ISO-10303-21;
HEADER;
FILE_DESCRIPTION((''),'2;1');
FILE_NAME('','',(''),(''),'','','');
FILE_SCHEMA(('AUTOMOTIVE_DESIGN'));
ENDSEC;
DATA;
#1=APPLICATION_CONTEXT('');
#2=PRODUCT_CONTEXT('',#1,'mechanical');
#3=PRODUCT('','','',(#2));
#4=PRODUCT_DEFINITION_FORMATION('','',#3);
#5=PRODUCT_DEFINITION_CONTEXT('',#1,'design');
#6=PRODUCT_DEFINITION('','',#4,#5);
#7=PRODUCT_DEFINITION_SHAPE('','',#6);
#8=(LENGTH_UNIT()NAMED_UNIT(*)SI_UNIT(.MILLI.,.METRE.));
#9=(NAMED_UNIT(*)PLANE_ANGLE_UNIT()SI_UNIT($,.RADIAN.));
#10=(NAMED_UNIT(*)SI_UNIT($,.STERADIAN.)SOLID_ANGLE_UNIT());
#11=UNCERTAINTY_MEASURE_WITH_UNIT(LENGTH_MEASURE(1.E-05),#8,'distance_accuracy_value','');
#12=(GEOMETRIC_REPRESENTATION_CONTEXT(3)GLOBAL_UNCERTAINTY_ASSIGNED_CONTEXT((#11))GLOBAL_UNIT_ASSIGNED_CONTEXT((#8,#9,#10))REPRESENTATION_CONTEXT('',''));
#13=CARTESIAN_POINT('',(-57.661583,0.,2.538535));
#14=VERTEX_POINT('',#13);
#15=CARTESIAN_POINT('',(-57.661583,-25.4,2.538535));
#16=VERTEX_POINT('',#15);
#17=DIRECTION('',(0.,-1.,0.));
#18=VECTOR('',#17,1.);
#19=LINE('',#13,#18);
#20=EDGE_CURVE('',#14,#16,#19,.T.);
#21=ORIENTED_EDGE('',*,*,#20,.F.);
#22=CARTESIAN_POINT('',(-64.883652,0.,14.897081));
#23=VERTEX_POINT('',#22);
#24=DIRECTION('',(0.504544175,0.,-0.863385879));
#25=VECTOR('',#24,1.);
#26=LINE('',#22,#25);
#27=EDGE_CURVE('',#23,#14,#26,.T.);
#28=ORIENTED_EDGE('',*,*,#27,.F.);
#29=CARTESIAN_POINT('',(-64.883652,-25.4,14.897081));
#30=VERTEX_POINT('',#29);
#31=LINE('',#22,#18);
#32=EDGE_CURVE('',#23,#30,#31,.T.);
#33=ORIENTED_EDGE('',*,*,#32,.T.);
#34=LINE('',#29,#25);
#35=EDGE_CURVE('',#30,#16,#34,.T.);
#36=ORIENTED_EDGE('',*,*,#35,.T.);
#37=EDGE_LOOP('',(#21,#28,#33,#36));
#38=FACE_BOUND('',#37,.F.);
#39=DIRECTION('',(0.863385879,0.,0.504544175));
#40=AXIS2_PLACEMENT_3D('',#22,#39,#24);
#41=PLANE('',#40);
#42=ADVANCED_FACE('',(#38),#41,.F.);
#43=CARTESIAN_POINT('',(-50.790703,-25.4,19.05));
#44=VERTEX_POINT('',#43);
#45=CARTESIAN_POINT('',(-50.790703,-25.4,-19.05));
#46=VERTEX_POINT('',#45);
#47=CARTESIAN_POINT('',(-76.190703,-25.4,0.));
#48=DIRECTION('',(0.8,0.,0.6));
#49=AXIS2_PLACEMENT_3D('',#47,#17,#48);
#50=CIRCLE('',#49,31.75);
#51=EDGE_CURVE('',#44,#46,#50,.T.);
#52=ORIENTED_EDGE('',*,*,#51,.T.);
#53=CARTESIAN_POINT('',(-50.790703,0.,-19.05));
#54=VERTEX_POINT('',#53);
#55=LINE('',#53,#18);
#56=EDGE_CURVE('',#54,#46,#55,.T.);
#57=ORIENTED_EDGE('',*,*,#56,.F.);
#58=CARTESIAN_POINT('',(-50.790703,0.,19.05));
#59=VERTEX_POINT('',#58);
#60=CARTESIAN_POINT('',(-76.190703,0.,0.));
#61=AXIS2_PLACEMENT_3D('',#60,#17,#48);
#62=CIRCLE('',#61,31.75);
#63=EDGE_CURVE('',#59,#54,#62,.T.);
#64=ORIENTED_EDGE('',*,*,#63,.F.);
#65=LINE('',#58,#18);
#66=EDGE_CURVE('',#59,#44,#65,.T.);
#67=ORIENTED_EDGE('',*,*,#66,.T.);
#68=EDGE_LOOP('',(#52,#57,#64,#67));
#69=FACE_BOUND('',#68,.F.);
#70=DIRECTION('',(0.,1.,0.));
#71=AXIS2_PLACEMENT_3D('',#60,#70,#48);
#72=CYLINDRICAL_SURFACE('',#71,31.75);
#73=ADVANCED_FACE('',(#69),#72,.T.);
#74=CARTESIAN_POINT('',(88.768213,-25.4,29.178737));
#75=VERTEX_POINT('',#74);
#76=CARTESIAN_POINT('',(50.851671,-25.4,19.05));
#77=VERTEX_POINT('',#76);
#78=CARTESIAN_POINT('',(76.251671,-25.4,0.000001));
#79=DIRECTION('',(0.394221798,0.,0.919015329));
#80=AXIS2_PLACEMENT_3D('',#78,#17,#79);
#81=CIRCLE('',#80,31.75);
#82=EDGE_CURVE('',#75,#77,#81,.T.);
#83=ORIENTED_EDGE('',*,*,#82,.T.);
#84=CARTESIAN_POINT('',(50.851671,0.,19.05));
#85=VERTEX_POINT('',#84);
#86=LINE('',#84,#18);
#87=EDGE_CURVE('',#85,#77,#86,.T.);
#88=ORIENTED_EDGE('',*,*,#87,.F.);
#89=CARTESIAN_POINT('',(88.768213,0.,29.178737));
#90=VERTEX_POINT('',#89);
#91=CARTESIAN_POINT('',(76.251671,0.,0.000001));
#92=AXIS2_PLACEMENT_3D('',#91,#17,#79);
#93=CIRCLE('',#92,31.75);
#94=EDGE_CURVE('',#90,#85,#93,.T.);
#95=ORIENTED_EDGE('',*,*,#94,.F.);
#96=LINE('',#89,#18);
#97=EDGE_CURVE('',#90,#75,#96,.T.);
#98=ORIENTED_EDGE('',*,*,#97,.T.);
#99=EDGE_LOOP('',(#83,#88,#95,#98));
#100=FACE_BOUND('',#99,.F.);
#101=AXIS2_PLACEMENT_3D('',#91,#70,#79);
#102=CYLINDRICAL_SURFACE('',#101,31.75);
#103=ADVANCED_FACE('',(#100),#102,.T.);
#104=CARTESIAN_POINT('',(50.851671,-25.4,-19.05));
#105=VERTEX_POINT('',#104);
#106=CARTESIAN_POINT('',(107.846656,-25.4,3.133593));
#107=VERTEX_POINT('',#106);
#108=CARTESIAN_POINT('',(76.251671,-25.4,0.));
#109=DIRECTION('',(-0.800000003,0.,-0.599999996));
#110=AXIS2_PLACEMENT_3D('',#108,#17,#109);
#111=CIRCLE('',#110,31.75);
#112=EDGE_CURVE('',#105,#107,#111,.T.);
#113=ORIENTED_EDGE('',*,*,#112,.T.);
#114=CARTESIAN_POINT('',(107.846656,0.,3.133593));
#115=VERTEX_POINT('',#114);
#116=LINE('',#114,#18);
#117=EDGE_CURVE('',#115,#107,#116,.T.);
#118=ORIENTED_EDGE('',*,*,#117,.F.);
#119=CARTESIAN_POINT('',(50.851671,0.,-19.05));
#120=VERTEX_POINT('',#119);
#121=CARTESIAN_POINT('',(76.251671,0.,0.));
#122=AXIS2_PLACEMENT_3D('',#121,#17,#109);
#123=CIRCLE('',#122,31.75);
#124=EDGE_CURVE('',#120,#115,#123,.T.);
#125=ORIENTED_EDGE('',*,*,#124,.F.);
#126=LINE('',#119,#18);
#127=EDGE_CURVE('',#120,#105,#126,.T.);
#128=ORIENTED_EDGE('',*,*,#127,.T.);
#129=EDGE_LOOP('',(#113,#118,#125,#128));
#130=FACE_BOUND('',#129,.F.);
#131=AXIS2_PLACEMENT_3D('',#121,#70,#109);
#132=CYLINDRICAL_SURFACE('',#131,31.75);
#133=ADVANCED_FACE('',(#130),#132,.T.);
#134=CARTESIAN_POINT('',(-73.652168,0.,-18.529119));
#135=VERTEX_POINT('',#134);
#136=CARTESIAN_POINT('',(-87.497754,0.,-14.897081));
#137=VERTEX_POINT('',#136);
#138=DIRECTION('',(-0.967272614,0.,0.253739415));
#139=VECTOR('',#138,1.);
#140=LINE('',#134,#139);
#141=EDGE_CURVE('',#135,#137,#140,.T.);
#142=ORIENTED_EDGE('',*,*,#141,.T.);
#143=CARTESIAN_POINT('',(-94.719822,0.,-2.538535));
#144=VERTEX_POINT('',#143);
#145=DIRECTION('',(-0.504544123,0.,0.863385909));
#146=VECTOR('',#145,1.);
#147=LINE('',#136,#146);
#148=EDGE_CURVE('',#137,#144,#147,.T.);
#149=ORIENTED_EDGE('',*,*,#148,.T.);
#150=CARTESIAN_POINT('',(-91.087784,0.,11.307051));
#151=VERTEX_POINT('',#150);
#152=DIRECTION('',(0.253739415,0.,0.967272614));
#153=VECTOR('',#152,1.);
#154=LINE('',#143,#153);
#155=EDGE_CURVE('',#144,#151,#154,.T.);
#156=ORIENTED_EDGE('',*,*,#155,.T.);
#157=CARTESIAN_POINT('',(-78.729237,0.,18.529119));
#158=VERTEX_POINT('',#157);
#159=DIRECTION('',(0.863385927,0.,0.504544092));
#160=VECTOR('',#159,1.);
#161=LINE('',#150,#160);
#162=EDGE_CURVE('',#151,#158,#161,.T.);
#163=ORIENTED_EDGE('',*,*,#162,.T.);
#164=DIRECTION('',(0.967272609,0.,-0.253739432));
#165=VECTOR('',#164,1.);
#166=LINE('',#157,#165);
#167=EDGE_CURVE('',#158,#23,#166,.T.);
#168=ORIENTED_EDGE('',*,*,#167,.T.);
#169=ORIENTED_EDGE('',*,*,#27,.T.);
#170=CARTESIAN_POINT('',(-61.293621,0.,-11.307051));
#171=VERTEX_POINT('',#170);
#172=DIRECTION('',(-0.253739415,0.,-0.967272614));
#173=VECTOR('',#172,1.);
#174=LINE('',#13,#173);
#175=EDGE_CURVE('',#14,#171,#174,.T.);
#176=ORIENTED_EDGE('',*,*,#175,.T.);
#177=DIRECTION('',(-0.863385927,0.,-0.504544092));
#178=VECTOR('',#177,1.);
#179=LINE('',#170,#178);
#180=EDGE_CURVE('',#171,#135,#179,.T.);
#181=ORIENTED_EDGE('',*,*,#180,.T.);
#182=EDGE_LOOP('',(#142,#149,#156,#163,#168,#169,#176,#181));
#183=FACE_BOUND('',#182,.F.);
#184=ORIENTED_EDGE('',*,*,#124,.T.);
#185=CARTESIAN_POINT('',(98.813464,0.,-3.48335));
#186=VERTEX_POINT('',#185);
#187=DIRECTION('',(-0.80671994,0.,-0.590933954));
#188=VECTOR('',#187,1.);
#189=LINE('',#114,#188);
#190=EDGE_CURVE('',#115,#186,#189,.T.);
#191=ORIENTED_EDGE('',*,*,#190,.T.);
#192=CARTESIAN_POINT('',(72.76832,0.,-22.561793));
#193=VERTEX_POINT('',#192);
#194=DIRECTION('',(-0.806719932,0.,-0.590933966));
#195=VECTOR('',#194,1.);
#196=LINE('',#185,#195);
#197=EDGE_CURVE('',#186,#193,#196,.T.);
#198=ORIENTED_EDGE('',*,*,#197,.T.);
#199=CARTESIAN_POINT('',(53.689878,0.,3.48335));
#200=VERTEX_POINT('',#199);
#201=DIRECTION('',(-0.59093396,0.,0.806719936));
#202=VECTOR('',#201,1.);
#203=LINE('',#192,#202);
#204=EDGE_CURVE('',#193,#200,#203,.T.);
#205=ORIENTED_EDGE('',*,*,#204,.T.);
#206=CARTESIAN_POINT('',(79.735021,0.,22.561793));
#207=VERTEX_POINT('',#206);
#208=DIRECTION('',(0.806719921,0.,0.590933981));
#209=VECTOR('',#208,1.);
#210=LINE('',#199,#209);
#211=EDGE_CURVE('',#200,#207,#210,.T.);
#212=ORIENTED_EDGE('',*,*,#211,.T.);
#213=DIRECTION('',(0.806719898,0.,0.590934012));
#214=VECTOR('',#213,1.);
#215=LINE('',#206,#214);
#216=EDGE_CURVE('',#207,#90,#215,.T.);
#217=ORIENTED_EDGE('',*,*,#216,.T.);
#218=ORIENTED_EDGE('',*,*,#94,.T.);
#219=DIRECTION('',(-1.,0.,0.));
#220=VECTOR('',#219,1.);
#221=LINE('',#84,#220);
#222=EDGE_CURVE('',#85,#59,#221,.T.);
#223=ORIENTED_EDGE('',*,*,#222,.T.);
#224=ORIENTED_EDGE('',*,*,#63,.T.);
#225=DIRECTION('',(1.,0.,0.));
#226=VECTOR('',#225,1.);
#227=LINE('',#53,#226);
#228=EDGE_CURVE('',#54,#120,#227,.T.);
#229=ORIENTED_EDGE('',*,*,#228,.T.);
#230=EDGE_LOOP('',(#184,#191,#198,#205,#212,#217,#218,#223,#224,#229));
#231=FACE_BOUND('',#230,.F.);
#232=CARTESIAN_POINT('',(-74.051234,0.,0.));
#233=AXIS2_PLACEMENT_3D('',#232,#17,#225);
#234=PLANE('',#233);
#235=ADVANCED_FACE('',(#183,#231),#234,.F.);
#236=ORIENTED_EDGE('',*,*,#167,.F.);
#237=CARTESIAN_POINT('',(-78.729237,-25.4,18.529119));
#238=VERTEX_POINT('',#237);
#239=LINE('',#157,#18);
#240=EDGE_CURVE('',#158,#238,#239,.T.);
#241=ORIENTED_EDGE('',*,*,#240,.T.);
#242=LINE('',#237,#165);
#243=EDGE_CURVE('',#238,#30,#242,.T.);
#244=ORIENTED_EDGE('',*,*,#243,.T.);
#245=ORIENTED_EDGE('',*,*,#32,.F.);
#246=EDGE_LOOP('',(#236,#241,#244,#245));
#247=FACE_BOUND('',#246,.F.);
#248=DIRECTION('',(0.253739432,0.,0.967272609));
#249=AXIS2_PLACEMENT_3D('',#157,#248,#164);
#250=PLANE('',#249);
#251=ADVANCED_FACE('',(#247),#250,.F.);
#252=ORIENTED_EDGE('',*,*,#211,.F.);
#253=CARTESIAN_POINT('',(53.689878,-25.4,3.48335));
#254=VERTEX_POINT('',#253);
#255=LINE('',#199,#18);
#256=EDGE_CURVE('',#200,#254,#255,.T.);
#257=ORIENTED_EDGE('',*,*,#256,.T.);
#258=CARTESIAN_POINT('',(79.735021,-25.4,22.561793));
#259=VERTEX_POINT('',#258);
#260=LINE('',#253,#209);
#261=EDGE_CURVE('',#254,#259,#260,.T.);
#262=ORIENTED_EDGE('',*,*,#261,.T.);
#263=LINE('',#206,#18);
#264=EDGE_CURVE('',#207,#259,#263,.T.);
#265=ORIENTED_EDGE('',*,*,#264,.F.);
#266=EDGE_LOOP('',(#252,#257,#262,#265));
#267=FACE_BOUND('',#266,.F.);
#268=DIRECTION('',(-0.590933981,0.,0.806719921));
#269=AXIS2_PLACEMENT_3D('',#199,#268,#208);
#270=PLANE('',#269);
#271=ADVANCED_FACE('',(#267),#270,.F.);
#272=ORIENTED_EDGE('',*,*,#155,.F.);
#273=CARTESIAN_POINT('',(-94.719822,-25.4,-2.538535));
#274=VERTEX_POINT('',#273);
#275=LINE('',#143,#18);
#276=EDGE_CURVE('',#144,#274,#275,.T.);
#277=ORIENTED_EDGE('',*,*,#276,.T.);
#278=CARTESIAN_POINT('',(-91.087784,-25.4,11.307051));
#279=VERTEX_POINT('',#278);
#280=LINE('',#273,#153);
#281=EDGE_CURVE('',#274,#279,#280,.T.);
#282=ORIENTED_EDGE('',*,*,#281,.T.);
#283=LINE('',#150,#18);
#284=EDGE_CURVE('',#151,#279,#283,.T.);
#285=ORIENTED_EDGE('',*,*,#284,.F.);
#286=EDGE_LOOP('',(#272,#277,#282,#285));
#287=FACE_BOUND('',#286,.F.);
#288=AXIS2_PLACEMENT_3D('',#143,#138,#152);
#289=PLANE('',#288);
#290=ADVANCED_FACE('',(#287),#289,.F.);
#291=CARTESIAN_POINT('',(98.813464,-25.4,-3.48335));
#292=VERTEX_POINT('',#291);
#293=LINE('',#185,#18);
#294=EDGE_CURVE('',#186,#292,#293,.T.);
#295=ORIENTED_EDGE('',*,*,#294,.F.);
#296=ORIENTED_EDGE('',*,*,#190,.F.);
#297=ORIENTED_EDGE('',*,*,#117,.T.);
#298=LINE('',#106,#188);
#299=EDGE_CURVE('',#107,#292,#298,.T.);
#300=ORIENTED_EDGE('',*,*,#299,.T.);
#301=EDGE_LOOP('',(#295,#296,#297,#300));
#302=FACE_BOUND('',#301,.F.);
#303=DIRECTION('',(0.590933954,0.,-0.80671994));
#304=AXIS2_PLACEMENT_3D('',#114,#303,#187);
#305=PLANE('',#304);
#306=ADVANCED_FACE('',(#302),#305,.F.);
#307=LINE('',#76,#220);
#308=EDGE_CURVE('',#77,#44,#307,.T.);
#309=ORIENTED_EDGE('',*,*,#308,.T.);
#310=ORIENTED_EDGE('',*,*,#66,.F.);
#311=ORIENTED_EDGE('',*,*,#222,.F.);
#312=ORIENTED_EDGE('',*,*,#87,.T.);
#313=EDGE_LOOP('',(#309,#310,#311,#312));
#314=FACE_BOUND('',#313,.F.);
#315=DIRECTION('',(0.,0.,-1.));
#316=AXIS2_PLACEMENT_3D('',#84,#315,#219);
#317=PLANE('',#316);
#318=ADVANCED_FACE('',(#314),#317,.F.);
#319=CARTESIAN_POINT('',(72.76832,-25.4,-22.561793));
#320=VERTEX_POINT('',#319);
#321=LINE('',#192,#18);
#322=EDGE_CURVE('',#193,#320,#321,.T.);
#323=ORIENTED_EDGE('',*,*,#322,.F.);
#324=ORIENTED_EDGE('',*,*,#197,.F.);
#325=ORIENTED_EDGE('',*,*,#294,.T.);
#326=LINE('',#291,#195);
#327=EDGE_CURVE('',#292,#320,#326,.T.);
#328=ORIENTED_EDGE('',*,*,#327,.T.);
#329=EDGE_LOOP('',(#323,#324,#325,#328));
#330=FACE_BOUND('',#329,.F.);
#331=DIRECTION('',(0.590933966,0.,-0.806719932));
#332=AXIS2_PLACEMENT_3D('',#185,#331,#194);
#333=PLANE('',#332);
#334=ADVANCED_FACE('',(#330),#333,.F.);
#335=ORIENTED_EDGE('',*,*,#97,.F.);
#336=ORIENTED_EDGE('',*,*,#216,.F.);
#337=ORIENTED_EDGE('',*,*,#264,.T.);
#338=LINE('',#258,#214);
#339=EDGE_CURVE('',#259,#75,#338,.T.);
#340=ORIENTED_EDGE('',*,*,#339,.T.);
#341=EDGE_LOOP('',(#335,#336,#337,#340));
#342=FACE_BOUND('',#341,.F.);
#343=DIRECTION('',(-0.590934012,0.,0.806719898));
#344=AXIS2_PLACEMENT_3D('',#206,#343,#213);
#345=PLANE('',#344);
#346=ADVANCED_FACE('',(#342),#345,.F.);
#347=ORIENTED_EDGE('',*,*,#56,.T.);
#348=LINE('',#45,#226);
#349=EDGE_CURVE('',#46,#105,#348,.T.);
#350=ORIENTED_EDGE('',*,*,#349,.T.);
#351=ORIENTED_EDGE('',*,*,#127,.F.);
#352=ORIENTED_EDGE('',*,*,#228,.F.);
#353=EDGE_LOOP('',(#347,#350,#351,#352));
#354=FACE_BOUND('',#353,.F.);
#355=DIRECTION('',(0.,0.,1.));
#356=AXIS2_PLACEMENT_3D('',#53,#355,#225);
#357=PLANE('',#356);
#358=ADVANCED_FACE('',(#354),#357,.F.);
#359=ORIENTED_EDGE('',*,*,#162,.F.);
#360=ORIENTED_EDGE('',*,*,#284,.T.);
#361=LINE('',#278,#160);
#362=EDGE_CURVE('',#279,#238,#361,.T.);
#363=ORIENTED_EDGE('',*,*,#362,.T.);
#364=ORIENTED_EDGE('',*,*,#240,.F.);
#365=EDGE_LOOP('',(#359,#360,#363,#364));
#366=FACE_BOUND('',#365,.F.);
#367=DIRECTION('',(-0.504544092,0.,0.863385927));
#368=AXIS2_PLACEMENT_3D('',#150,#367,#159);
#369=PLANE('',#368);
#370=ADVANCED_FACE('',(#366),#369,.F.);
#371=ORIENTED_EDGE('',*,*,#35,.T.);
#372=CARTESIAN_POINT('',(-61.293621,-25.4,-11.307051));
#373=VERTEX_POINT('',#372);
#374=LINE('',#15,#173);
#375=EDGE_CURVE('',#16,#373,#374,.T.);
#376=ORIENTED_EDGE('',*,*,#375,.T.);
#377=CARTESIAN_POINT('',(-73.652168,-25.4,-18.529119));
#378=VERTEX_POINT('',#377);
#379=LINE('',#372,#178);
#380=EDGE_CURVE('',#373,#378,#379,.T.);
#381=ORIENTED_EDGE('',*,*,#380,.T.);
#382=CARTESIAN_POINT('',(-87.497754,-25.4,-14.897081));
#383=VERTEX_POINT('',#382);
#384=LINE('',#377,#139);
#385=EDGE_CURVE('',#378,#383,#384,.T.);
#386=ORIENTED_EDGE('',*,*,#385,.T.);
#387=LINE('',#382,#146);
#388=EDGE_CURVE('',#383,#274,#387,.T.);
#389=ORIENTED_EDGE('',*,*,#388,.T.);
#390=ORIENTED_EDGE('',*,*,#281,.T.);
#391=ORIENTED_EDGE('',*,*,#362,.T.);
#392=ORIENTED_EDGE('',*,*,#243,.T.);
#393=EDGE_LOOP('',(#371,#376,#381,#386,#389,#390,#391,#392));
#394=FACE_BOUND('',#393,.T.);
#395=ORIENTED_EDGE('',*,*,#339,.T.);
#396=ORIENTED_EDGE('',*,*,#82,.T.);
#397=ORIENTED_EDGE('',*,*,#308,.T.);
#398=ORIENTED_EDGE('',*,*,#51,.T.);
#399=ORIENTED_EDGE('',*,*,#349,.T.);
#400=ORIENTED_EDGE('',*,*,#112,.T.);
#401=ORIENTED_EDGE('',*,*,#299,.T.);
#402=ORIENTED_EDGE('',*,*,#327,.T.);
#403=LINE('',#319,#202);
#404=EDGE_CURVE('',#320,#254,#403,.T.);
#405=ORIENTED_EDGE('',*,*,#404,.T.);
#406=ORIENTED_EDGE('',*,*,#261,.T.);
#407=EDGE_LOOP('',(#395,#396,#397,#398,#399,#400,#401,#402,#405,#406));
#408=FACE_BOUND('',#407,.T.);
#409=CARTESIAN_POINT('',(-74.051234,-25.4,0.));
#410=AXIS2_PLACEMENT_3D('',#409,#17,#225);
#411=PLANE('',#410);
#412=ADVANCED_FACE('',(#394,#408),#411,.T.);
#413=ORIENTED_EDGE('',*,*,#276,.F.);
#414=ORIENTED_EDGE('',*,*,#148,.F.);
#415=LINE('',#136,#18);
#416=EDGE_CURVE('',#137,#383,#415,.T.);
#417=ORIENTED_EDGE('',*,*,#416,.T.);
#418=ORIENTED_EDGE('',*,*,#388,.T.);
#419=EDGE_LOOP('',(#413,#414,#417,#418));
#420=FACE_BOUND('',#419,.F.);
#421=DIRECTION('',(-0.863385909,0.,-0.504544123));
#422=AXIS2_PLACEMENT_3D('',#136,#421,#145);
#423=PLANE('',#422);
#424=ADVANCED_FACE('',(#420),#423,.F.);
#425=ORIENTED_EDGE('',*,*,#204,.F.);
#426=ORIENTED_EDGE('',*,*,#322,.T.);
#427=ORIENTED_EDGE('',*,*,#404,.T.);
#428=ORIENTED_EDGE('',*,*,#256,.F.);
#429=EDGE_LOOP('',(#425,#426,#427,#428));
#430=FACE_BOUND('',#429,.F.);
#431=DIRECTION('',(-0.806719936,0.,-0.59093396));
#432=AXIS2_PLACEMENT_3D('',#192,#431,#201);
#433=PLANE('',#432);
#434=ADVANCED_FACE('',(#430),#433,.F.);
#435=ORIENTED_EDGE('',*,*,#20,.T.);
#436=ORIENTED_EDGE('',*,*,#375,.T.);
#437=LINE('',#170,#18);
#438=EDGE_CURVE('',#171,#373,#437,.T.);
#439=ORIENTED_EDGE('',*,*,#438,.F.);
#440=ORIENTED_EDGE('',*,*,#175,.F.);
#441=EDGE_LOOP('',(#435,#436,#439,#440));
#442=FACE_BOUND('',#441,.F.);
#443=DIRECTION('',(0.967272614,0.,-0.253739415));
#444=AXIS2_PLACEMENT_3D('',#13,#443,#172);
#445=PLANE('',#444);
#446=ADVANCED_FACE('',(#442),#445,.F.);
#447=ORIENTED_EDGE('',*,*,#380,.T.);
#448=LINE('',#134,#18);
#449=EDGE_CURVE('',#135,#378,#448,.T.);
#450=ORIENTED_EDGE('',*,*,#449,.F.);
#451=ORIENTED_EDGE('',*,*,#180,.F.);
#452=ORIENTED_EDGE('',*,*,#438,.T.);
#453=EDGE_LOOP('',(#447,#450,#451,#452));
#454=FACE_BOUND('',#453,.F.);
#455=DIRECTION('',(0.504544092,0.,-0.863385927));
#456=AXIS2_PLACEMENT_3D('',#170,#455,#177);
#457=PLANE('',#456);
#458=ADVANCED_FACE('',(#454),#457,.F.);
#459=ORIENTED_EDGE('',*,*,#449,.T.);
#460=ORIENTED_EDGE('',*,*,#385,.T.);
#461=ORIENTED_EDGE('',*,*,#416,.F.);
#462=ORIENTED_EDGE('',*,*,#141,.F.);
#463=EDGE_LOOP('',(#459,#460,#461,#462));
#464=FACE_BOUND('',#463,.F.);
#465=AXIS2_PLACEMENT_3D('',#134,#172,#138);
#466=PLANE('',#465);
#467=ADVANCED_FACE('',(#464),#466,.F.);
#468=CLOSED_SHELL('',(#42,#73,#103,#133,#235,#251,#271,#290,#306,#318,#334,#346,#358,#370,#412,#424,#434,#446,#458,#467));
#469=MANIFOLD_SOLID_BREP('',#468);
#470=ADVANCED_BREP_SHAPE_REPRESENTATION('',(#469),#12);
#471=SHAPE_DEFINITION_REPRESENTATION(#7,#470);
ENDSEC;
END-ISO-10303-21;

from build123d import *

# Parameters (mm, degrees)
F1_DEPTH = 25.4


with BuildPart() as f1:
    # F0 (on Front) → F1 (new body)
    with BuildSketch(Plane.XZ):
        with BuildLine():
            ThreePointArc((-50.790703, -19.05), (-46.070008, -10.040232), (-44.440703, 0))
            ThreePointArc((-44.440703, 0), (-46.070008, 10.040232), (-50.790703, 19.05))
            ThreePointArc((-50.790703, 19.05), (-107.940703, 0), (-50.790703, -19.05))
        make_face()
        Polygon((-78.729237, 18.529119), (-64.883652, 14.897081), (-57.661583, 2.538535), (-61.293621, -11.307051), (-73.652168, -18.529119), (-87.497754, -14.897081), (-94.719822, -2.538535), (-91.087784, 11.307051), align=None, mode=Mode.SUBTRACT)
        with BuildLine():
            ThreePointArc((-50.790703, 19.05), (-46.070008, 10.040232), (-44.440703, 0))
            ThreePointArc((-44.440703, 0), (-46.070008, -10.040232), (-50.790703, -19.05))
            Line((-50.790703, -19.05), (50.851671, -19.05))
            ThreePointArc((50.851671, -19.05), (44.501671, 0), (50.851671, 19.05))
            Line((50.851671, 19.05), (-50.790703, 19.05))
        make_face()
        with BuildLine():
            ThreePointArc((88.768213, 29.178737), (68.057545, 30.6744), (50.851671, 19.05))
            ThreePointArc((50.851671, 19.05), (44.501671, 0), (50.851671, -19.05))
            ThreePointArc((50.851671, -19.05), (87.767851, -29.587837), (107.846656, 3.133593))
            Line((107.846656, 3.133593), (98.813464, -3.48335))
            Line((98.813464, -3.48335), (72.76832, -22.561793))
            Line((72.76832, -22.561793), (53.689878, 3.48335))
            Line((53.689878, 3.48335), (79.735021, 22.561793))
            Line((79.735021, 22.561793), (88.768213, 29.178737))
        make_face()
    extrude(amount=F1_DEPTH)


solid = f1.part
